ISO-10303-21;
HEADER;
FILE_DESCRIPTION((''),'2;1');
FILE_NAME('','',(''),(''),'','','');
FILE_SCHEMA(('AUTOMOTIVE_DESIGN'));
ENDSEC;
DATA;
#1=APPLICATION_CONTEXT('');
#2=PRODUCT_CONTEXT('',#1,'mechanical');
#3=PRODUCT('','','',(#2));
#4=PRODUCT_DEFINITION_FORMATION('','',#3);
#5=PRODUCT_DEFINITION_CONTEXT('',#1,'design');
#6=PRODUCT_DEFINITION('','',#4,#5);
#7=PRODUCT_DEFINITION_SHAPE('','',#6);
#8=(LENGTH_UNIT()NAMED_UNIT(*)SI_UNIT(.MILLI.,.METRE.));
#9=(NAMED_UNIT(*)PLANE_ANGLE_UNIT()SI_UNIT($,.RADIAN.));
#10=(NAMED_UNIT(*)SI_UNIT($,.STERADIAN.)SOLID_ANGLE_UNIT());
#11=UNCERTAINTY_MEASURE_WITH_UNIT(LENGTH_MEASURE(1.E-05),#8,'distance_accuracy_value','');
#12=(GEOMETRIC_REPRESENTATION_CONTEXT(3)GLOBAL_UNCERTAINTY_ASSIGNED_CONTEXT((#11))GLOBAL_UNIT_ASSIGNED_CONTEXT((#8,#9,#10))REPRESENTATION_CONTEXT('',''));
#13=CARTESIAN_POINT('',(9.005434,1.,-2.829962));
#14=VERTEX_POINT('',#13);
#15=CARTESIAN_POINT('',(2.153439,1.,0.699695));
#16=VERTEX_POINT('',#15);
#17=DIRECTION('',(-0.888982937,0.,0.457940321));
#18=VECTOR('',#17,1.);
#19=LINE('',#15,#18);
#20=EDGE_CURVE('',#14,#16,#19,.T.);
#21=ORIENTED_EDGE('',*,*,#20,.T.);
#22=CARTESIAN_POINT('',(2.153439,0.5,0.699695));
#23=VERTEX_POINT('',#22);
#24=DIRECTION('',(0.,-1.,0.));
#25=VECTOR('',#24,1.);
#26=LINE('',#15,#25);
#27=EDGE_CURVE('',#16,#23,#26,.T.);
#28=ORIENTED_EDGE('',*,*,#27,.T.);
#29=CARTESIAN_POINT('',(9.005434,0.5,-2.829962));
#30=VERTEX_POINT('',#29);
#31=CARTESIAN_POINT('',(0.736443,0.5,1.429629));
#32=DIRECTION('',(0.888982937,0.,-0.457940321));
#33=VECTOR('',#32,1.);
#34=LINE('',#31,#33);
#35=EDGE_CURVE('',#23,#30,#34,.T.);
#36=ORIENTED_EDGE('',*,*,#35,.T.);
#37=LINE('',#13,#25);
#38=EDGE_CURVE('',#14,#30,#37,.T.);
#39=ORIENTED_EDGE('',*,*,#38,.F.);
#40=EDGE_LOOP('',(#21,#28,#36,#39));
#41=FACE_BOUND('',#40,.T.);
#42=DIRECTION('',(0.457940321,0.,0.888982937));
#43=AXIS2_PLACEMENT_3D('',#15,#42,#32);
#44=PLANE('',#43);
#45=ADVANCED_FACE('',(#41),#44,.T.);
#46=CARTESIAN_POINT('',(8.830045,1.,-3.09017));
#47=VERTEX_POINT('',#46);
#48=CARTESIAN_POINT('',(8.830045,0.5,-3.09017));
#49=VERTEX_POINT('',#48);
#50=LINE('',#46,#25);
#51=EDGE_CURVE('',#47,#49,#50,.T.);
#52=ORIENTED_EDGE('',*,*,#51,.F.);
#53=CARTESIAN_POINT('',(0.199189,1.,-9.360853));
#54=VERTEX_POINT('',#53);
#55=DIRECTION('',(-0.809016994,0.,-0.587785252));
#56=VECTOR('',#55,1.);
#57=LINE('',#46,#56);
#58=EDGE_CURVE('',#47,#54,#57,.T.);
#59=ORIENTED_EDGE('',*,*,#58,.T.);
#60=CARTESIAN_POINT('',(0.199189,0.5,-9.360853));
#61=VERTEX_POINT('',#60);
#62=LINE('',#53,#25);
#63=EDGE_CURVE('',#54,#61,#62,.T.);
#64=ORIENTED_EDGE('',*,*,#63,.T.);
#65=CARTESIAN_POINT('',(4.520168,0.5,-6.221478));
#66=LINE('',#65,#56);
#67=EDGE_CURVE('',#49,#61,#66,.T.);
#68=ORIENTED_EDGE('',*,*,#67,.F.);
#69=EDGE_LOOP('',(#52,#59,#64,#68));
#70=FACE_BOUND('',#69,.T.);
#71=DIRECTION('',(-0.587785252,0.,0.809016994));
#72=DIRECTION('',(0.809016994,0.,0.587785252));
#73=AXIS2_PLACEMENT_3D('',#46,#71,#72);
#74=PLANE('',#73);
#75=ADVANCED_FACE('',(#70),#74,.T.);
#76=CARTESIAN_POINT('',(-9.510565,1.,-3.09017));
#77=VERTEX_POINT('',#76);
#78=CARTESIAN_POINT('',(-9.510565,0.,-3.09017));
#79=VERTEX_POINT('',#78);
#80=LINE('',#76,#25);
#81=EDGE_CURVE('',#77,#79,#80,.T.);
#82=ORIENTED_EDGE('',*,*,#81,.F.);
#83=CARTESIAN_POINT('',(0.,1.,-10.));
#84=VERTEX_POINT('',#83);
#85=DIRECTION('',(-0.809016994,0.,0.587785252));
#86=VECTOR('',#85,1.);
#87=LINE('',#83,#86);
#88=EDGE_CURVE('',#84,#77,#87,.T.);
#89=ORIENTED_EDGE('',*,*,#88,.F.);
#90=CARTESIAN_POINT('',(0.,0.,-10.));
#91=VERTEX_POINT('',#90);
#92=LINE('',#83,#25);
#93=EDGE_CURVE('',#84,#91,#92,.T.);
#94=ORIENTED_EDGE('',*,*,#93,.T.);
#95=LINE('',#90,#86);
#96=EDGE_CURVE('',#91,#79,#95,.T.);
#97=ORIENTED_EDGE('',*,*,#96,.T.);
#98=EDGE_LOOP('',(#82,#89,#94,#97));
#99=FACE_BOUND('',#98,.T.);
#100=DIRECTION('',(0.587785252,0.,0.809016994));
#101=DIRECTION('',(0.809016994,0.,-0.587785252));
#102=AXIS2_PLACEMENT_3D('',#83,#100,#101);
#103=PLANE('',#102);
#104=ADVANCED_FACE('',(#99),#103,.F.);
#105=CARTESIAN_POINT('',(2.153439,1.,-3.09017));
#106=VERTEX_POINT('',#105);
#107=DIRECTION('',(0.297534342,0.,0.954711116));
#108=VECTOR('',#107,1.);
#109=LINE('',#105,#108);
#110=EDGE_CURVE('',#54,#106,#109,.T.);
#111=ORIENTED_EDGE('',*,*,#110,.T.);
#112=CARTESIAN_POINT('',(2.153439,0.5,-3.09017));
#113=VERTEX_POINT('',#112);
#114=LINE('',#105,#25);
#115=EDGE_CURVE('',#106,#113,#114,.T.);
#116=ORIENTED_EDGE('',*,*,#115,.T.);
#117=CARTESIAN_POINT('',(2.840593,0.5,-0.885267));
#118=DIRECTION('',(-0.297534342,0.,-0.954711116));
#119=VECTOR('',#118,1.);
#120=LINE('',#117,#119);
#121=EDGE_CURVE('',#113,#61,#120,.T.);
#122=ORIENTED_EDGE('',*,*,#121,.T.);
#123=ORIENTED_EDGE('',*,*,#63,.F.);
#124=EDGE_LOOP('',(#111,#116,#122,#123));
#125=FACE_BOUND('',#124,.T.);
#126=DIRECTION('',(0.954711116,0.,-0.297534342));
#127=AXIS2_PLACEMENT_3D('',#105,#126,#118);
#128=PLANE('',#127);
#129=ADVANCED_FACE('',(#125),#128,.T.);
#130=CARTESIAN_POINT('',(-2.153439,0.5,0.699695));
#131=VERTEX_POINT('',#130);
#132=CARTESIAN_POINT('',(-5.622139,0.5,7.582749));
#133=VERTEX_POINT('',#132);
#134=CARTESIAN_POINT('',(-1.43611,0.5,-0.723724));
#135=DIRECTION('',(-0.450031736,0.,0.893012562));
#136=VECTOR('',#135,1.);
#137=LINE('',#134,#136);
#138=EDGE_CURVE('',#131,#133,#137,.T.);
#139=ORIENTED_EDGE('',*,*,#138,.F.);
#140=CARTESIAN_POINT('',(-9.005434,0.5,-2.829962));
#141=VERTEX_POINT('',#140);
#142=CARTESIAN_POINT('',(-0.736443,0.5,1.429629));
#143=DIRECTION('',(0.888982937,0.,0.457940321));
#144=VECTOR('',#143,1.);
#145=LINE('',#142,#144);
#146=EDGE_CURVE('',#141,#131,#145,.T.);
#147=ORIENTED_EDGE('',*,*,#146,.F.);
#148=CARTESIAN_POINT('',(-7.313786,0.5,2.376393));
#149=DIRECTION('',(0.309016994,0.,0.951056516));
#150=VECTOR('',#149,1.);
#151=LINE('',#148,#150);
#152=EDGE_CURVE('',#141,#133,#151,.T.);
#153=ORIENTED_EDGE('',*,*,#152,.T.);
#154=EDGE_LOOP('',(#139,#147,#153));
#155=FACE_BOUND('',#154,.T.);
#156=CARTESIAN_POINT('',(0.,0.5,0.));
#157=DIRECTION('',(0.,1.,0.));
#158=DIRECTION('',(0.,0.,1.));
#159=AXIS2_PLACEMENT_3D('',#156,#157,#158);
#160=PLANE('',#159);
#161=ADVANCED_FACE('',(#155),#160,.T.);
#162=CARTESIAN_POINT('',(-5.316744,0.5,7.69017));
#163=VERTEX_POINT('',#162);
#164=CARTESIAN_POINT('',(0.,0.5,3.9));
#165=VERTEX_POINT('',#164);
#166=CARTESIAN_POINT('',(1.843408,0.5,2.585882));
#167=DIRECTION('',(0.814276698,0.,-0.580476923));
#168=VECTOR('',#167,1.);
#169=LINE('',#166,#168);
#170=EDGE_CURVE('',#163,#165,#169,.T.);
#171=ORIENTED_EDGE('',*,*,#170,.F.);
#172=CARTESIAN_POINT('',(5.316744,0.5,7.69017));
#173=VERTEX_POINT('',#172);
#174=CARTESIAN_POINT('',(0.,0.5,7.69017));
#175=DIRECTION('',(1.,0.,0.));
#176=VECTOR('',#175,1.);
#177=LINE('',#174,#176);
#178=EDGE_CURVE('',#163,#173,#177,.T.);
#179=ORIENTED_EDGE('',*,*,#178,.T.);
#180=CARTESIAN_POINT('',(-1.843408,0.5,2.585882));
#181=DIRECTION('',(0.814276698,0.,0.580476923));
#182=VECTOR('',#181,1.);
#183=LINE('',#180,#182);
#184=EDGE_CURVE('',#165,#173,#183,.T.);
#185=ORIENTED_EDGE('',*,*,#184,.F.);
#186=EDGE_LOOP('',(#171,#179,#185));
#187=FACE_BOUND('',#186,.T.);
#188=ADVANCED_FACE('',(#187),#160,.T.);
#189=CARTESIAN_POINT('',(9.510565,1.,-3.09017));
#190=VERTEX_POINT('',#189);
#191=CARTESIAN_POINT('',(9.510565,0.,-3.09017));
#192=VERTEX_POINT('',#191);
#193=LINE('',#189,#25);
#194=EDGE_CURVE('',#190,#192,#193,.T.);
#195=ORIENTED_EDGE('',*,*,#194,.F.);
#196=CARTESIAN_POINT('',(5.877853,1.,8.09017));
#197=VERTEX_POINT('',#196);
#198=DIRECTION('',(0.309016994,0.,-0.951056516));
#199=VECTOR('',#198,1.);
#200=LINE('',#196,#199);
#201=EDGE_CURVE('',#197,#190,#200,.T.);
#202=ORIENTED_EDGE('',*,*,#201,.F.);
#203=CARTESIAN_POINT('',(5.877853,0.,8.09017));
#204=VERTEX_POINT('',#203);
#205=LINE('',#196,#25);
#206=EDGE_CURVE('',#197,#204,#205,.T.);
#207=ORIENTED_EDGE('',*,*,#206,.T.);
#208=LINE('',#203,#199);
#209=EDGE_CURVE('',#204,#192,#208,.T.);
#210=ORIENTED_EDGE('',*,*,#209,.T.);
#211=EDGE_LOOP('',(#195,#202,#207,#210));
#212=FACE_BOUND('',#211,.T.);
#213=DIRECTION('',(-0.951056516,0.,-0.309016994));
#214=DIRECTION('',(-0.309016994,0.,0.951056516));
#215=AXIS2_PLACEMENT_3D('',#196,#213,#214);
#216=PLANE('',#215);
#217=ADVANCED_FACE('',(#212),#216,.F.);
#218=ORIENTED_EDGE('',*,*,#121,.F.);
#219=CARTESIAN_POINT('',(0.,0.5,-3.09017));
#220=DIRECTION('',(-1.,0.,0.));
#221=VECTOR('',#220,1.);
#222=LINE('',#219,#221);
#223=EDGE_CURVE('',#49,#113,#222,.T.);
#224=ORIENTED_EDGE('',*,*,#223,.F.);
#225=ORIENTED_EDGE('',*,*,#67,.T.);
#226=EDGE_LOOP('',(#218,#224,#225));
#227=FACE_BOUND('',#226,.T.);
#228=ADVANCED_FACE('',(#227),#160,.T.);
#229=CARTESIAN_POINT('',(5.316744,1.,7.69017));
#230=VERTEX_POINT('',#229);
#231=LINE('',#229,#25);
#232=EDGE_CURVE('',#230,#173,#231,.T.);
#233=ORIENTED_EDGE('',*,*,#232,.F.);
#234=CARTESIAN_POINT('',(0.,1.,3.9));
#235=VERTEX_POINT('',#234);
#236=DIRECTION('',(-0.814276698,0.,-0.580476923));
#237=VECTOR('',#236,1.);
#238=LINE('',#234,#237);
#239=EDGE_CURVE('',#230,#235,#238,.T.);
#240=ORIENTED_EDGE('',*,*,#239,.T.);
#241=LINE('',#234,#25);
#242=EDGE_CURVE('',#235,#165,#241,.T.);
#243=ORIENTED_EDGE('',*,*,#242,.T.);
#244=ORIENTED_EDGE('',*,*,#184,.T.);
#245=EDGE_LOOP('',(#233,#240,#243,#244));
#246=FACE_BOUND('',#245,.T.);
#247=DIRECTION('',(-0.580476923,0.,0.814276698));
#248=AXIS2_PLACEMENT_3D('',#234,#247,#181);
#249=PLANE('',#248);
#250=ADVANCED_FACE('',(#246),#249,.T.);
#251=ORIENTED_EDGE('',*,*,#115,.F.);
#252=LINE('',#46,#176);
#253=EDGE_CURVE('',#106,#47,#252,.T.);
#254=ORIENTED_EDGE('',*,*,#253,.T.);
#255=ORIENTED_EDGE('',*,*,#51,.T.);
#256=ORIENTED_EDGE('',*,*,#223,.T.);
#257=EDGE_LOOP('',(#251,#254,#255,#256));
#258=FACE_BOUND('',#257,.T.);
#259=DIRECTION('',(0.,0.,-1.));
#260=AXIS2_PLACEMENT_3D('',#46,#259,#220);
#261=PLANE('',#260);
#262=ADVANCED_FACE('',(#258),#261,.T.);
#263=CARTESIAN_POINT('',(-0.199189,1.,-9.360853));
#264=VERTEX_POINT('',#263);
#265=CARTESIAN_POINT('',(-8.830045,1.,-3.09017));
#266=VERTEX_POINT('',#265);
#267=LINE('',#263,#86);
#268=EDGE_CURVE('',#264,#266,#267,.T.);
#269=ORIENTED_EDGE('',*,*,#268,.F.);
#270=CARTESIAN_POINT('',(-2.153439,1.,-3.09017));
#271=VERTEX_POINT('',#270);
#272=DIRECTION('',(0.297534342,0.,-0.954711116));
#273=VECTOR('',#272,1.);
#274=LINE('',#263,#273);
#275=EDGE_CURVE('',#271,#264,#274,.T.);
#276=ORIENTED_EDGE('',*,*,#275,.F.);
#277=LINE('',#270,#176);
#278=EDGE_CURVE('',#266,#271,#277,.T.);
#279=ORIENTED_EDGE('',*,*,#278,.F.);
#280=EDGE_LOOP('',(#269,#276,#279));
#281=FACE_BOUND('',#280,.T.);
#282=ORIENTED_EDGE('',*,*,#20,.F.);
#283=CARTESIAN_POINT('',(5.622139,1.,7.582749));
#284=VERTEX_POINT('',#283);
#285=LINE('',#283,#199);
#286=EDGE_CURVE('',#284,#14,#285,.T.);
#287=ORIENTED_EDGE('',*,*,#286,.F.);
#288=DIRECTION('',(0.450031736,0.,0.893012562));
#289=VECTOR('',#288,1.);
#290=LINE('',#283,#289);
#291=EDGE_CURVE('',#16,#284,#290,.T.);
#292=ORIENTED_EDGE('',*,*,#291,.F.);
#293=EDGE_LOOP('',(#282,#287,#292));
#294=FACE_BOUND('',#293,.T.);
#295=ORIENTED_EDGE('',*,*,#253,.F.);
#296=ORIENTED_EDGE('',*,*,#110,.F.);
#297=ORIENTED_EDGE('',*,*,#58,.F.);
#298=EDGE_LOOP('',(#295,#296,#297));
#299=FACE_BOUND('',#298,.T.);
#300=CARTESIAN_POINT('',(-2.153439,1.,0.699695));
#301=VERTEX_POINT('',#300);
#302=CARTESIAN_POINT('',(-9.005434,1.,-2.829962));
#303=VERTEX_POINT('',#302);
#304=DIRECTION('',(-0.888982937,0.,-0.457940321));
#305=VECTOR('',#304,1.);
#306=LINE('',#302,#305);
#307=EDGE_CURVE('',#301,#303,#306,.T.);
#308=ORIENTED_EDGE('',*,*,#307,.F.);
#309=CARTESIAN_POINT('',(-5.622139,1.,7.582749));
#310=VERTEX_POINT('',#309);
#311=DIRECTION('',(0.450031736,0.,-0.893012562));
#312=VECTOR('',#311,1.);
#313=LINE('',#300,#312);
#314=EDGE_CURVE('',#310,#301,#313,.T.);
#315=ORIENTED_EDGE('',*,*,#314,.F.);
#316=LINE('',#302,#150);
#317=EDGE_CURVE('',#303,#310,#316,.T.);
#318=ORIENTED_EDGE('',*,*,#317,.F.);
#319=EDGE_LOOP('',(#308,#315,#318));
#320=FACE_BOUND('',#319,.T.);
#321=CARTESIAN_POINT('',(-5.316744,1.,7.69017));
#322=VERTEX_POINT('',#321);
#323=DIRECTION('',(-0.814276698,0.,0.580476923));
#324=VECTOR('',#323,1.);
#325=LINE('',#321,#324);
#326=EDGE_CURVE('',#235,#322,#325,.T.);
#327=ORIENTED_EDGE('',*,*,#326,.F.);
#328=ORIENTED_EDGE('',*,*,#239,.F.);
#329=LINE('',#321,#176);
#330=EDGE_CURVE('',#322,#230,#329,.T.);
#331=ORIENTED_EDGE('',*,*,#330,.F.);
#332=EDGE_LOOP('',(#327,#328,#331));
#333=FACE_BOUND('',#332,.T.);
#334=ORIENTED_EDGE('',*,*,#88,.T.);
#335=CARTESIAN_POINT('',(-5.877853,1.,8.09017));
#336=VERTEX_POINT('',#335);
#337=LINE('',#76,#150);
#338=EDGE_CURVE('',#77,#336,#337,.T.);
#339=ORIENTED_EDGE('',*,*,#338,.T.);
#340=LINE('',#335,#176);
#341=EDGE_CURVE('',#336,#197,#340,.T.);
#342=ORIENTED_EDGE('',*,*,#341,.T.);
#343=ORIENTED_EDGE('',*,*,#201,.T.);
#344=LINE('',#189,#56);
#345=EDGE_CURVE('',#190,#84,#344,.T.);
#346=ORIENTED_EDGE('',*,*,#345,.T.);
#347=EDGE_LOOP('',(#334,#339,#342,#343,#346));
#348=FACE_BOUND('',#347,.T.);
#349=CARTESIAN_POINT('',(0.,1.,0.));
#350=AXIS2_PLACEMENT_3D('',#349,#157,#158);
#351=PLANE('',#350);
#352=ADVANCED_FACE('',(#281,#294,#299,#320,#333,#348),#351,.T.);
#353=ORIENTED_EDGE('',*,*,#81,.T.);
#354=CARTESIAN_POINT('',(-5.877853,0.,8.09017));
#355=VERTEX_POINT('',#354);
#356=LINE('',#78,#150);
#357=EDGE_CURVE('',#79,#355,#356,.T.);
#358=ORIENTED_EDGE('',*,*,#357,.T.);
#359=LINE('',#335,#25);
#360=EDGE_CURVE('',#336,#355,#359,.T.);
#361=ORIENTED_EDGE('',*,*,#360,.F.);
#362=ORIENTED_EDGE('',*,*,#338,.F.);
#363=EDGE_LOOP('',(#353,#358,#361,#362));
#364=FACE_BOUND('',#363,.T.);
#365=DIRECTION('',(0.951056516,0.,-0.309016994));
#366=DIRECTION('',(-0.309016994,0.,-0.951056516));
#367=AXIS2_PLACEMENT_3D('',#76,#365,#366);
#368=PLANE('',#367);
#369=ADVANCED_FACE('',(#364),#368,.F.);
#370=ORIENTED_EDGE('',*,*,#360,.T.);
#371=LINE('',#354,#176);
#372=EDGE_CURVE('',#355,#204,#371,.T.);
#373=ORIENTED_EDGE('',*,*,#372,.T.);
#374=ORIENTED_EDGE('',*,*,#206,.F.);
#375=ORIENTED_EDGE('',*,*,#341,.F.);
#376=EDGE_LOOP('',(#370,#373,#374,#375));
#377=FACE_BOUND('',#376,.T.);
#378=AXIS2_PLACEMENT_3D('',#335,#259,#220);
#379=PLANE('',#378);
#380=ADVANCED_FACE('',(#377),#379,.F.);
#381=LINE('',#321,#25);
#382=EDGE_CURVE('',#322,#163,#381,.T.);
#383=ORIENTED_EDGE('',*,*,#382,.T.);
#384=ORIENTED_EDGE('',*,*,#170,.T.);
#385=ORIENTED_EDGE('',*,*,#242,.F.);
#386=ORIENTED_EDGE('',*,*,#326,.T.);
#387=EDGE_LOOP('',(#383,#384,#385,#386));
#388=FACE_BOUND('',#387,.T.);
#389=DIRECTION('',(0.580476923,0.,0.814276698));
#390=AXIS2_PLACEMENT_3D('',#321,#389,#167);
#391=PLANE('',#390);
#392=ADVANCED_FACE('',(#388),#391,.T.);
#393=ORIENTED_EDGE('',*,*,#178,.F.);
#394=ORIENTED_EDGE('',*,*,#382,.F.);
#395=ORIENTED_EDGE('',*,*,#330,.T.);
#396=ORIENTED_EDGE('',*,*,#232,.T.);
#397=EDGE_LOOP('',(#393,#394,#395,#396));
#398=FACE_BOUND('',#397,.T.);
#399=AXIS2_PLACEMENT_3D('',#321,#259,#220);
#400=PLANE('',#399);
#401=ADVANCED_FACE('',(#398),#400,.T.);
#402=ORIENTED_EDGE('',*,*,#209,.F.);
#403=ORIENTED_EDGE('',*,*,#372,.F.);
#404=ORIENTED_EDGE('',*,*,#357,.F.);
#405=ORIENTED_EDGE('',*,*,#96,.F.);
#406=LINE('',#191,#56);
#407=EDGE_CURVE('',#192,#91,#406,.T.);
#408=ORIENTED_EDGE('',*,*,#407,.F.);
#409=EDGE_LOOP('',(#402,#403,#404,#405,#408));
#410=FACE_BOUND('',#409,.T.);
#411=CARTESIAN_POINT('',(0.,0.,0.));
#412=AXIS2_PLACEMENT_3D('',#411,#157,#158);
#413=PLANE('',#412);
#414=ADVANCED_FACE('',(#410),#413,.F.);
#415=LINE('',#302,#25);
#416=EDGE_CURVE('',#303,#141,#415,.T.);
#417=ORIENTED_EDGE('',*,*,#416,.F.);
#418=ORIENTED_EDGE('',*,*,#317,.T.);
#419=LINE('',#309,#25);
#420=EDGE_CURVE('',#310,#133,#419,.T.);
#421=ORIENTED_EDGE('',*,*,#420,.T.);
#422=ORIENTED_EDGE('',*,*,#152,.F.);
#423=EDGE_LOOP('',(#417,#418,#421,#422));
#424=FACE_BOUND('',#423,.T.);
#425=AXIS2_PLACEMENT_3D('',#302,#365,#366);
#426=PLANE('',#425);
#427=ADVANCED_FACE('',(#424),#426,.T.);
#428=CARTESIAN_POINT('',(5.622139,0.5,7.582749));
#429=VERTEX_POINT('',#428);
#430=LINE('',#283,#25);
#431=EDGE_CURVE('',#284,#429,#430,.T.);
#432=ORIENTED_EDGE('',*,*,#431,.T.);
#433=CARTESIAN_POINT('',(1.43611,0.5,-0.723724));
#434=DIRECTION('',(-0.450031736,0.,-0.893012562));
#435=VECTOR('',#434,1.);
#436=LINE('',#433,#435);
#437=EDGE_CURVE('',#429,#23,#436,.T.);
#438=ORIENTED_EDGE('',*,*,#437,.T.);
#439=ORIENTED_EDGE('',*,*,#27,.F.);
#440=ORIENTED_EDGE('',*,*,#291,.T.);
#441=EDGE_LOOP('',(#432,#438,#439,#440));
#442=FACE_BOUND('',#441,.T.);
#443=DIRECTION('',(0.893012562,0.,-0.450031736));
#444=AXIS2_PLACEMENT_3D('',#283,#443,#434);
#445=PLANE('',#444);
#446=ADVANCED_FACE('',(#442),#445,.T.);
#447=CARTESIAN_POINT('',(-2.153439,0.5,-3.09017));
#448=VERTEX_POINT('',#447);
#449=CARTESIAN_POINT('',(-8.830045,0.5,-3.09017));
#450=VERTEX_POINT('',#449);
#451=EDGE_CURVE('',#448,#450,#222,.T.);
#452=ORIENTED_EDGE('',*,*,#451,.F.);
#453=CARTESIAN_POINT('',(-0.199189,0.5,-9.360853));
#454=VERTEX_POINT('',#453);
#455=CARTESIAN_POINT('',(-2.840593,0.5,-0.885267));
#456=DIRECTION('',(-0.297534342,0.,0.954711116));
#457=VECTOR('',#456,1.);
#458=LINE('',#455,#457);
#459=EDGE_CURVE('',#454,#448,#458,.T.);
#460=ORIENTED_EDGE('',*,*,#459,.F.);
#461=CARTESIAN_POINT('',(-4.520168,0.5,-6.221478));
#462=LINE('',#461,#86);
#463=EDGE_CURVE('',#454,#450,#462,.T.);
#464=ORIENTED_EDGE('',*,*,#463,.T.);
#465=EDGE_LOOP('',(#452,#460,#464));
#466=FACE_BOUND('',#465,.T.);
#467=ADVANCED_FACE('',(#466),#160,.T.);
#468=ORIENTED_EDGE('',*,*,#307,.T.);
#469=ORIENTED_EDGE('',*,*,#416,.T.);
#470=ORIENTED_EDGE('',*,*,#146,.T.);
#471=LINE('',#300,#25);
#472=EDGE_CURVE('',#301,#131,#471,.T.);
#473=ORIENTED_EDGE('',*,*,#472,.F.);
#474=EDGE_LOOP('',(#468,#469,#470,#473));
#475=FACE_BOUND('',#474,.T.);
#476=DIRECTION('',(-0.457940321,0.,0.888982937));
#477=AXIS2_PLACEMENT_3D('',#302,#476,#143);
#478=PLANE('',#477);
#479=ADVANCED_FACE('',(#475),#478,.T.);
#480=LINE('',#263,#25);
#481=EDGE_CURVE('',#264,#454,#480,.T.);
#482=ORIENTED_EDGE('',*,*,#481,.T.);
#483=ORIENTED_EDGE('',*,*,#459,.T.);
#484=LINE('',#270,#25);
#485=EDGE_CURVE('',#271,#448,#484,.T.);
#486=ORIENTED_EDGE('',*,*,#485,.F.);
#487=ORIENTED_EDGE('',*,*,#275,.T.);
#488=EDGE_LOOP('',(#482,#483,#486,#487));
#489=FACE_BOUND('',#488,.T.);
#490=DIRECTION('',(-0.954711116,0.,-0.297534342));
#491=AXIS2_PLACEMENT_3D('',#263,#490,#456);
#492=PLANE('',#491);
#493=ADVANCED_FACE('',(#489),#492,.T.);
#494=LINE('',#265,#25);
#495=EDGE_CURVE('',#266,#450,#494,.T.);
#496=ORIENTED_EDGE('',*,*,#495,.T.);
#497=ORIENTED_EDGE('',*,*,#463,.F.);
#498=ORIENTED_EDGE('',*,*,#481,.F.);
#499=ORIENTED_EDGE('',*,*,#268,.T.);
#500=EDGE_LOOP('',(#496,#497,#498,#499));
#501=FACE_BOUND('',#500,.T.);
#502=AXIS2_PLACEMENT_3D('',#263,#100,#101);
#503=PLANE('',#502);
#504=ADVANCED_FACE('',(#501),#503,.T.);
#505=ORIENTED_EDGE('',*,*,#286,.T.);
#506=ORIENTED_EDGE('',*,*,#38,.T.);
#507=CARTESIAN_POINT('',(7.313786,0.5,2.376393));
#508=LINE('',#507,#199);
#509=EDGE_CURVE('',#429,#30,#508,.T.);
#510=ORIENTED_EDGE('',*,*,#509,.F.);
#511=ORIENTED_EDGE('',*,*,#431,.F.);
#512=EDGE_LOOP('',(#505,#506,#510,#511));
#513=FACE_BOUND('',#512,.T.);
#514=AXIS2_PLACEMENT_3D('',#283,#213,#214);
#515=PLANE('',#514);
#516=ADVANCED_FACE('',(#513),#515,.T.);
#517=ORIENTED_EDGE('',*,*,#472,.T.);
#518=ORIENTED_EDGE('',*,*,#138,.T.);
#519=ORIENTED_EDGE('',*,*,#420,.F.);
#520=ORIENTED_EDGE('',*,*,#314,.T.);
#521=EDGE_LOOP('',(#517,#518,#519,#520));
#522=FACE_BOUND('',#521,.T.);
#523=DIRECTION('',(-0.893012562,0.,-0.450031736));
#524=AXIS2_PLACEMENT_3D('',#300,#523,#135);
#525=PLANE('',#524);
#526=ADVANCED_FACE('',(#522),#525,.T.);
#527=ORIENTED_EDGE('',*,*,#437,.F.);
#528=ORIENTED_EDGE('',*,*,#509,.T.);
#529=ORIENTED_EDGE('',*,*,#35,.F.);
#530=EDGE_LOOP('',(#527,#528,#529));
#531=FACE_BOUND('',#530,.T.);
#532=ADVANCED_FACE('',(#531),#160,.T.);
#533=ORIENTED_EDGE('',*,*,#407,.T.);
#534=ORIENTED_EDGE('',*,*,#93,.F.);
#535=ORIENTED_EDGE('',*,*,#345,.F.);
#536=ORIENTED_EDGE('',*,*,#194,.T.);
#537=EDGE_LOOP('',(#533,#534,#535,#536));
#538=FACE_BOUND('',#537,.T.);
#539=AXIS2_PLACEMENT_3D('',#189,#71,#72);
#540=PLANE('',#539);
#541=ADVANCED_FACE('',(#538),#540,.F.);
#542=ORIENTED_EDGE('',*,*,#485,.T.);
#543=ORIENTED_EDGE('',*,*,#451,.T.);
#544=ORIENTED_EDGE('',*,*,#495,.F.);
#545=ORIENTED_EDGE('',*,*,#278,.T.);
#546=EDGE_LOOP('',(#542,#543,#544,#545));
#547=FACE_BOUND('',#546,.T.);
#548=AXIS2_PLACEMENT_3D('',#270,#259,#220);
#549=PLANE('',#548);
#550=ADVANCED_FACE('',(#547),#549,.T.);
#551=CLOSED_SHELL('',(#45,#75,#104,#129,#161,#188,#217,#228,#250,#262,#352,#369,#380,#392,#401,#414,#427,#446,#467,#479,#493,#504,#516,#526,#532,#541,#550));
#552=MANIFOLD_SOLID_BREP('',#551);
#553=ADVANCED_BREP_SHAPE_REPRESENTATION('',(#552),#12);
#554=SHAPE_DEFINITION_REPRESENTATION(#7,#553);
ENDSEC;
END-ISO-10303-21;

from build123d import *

# Parameters (mm, degrees)
BOSS_EXTRUDE1_DEPTH = 1
BOSS_EXTRUDE2_DEPTH = 0.5


with BuildPart() as part:
    # Sketch1 → Boss-Extrude1 (new body)
    with BuildSketch(Plane(origin=(0, 0, 0), x_dir=(1, 0, 0), z_dir=(0, 1, 0))):
        Polygon((5.877852523, -8.090169944), (9.510565163, 3.090169944), (0, 10), (-9.510565163, 3.090169944), (-5.877852523, -8.090169944), align=None)
        Polygon((-5.316743775, -7.690169944), (5.316743775, -7.690169944), (0, -3.9), align=None, mode=Mode.SUBTRACT)
        Polygon((5.622138751, -7.582748818), (2.153438567, -0.699694605), (9.005433722, 2.829962413), align=None, mode=Mode.SUBTRACT)
        Polygon((8.830044516, 3.090169944), (2.153438567, 3.090169944), (0.199189097, 9.360853459), align=None, mode=Mode.SUBTRACT)
        Polygon((-0.199189097, 9.360853459), (-2.153438567, 3.090169944), (-8.830044516, 3.090169944), align=None, mode=Mode.SUBTRACT)
        Polygon((-9.005433722, 2.829962413), (-2.153438567, -0.699694605), (-5.622138751, -7.582748818), align=None, mode=Mode.SUBTRACT)
    extrude(amount=BOSS_EXTRUDE1_DEPTH)

    # Sketch1<2> → Boss-Extrude2 (add)
    with BuildSketch(Plane(origin=(0, 0, 0), x_dir=(1, 0, 0), z_dir=(0, 1, 0))):
        Polygon((0, -3.9), (-5.316743775, -7.690169944), (5.316743775, -7.690169944), align=None)
        Polygon((2.153438567, -0.699694605), (5.622138751, -7.582748818), (9.005433722, 2.829962413), align=None)
        Polygon((2.153438567, 3.090169944), (8.830044516, 3.090169944), (0.199189097, 9.360853459), align=None)
        Polygon((-2.153438567, 3.090169944), (-0.199189097, 9.360853459), (-8.830044516, 3.090169944), align=None)
        Polygon((-2.153438567, -0.699694605), (-9.005433722, 2.829962413), (-5.622138751, -7.582748818), align=None)
    extrude(amount=BOSS_EXTRUDE2_DEPTH)


solid = part.part
